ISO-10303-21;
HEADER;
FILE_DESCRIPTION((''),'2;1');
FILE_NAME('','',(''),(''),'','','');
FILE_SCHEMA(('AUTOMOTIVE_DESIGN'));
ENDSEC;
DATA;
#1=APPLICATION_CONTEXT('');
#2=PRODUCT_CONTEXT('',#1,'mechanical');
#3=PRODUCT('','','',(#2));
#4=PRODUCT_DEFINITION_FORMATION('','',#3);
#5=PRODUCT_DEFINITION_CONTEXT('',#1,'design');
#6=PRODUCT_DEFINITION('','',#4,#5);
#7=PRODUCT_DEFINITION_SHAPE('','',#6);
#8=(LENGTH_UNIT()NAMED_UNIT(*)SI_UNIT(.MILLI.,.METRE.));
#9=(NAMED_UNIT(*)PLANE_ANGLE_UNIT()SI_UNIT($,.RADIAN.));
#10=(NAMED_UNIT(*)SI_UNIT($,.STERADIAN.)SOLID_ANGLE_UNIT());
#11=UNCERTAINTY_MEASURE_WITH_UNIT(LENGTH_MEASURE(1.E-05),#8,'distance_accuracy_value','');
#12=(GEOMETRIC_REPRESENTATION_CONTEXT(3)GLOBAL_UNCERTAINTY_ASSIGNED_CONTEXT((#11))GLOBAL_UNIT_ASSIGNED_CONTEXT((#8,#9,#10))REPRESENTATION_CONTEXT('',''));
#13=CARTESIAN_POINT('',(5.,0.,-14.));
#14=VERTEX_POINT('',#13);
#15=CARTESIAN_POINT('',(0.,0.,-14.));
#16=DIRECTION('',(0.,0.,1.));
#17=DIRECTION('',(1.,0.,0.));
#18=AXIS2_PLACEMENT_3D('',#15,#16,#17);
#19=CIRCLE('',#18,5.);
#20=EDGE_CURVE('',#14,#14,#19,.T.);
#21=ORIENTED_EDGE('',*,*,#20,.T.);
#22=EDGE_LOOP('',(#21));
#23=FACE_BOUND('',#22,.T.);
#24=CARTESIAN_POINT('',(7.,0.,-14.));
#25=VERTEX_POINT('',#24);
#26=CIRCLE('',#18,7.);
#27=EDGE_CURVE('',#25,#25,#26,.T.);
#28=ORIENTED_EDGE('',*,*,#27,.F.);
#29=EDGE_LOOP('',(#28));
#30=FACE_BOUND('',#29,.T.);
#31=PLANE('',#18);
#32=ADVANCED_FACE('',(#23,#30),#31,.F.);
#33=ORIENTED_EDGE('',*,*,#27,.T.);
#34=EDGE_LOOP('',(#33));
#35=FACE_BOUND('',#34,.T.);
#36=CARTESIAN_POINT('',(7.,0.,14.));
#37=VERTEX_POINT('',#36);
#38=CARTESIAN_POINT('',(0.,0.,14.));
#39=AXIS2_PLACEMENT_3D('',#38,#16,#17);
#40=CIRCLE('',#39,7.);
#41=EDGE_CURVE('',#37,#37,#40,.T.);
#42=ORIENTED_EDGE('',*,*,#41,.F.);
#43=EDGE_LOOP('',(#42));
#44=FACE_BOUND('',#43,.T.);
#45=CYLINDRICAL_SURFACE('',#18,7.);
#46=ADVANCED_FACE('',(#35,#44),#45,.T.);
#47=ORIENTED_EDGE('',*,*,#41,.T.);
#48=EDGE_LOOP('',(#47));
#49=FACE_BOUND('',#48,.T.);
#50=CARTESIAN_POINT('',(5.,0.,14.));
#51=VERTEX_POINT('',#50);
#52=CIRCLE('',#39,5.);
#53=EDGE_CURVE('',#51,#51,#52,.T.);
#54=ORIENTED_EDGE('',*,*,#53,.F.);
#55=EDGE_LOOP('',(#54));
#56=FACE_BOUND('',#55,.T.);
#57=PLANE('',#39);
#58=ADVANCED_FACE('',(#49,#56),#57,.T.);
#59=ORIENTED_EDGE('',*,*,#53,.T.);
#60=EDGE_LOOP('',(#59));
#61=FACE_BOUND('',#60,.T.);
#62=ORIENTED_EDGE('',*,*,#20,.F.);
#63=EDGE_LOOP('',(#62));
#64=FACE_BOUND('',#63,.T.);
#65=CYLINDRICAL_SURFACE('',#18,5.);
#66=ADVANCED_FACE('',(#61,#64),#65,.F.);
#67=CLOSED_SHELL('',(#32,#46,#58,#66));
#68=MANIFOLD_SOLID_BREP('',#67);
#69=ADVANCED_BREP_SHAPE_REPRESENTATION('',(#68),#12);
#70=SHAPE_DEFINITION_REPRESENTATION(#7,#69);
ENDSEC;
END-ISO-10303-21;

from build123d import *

# Parameters (mm, degrees)
EXTRUDE1_START = -14
SKETCH1_R      = 7
SKETCH1_R_2    = 5
EXTRUDE1_DEPTH = 28


with BuildPart() as part:
    # Sketch1 → Extrude1 (new body)
    with BuildSketch(Plane.XY.offset(EXTRUDE1_START)):
        Circle(SKETCH1_R)
        Circle(SKETCH1_R_2, mode=Mode.SUBTRACT)
    extrude(amount=EXTRUDE1_DEPTH)


solid = part.part
